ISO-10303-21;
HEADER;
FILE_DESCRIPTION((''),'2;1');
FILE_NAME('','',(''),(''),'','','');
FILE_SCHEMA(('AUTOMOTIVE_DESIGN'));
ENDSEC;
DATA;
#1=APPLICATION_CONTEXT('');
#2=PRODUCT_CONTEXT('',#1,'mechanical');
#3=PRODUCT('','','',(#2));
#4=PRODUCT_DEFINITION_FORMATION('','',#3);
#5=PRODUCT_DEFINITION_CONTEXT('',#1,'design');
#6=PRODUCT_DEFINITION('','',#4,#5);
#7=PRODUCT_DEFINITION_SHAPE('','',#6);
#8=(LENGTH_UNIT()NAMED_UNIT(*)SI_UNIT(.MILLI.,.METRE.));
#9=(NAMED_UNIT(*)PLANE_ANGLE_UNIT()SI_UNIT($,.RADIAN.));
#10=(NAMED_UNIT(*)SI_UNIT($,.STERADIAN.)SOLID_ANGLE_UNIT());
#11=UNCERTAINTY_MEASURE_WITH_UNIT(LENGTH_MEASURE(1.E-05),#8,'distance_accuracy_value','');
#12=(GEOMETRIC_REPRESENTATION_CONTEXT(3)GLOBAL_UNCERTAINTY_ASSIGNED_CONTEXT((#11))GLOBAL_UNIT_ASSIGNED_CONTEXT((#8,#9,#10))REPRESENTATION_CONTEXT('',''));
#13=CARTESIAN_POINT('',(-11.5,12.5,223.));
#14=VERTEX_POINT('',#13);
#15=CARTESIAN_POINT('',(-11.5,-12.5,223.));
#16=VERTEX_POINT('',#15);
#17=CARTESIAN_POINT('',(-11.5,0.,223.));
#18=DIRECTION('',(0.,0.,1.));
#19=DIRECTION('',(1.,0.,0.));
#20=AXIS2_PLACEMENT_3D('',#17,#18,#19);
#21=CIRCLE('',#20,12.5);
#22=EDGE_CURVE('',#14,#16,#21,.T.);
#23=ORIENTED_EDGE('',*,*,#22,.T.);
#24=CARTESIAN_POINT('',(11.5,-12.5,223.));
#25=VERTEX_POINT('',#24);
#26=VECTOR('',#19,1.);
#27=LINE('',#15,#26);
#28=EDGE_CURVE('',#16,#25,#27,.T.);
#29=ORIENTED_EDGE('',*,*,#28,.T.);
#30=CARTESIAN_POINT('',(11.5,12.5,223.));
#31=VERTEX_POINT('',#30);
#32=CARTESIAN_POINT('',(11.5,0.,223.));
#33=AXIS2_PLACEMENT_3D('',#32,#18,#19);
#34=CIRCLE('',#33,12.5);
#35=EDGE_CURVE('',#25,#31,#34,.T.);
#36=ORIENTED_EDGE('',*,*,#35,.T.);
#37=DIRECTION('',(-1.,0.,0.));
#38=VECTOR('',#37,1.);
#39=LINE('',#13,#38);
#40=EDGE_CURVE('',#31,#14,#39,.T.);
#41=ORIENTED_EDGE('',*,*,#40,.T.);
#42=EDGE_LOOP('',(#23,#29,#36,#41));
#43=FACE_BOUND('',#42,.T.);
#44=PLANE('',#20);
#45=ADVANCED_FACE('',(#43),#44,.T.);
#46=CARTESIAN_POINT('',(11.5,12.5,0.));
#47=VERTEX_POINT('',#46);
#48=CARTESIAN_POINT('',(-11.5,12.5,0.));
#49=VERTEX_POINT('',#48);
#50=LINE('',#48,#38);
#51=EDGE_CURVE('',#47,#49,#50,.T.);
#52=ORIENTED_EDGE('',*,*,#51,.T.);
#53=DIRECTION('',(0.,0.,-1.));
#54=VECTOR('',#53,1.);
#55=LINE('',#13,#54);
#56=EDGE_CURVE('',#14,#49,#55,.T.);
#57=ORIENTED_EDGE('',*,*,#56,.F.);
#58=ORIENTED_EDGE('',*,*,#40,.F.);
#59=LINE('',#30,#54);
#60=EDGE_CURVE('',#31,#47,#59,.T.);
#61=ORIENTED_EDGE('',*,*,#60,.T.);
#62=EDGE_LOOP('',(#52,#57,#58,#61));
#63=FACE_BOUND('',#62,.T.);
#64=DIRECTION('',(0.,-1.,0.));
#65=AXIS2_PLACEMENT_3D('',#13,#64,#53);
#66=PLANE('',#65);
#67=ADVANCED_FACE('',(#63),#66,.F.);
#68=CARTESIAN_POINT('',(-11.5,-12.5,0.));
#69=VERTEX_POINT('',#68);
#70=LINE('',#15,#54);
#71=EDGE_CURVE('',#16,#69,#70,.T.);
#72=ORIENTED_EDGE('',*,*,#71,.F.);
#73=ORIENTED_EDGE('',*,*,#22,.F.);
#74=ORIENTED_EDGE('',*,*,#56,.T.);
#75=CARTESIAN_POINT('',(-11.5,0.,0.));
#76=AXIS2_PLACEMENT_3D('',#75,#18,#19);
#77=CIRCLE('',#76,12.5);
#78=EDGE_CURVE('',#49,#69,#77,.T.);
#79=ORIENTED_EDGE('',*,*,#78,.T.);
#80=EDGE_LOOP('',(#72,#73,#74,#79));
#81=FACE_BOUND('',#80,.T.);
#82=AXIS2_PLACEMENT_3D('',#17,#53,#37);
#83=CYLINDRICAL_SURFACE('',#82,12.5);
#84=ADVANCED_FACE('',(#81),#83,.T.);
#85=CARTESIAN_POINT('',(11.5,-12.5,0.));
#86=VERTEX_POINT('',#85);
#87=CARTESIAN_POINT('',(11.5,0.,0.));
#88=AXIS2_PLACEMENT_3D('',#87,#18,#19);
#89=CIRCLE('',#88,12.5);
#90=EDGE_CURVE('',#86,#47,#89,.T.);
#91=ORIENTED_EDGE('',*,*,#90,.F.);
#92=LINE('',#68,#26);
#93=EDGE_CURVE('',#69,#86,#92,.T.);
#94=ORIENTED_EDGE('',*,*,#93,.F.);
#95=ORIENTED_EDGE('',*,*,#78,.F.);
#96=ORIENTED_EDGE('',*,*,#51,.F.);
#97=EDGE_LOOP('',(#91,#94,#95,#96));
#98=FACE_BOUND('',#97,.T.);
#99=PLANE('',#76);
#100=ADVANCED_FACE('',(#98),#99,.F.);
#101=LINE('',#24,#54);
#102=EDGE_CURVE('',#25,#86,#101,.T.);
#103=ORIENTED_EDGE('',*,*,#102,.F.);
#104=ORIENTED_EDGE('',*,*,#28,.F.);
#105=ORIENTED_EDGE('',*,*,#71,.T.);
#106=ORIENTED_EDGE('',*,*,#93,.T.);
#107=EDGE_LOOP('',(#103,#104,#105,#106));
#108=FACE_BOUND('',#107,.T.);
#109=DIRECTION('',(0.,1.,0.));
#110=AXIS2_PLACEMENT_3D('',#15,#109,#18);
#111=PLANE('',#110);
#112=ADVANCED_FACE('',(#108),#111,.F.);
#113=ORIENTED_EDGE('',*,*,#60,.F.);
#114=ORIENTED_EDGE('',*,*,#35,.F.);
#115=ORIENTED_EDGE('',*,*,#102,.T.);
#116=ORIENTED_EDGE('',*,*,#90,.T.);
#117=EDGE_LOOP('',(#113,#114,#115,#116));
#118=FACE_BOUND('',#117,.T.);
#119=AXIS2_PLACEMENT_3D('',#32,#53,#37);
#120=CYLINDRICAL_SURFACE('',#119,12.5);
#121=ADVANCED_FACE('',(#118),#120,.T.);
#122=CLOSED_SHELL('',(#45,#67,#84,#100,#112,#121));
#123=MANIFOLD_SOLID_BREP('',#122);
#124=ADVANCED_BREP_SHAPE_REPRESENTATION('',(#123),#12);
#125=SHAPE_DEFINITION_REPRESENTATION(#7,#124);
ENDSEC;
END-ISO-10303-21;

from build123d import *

# Parameters (mm, degrees)
BOSS_EXTRUDE1_DEPTH = 223


with BuildPart() as part:
    # Sketch1 → Boss-Extrude1 (new body)
    with BuildSketch(Plane.XY):
        with BuildLine():
            Line((-11.5, 12.5), (11.5, 12.5))
            ThreePointArc((11.5, 12.5), (24, 0), (11.5, -12.5))
            Line((11.5, -12.5), (-11.5, -12.5))
            ThreePointArc((-11.5, -12.5), (-24, 0), (-11.5, 12.5))
        make_face()
    extrude(amount=BOSS_EXTRUDE1_DEPTH)


solid = part.part
